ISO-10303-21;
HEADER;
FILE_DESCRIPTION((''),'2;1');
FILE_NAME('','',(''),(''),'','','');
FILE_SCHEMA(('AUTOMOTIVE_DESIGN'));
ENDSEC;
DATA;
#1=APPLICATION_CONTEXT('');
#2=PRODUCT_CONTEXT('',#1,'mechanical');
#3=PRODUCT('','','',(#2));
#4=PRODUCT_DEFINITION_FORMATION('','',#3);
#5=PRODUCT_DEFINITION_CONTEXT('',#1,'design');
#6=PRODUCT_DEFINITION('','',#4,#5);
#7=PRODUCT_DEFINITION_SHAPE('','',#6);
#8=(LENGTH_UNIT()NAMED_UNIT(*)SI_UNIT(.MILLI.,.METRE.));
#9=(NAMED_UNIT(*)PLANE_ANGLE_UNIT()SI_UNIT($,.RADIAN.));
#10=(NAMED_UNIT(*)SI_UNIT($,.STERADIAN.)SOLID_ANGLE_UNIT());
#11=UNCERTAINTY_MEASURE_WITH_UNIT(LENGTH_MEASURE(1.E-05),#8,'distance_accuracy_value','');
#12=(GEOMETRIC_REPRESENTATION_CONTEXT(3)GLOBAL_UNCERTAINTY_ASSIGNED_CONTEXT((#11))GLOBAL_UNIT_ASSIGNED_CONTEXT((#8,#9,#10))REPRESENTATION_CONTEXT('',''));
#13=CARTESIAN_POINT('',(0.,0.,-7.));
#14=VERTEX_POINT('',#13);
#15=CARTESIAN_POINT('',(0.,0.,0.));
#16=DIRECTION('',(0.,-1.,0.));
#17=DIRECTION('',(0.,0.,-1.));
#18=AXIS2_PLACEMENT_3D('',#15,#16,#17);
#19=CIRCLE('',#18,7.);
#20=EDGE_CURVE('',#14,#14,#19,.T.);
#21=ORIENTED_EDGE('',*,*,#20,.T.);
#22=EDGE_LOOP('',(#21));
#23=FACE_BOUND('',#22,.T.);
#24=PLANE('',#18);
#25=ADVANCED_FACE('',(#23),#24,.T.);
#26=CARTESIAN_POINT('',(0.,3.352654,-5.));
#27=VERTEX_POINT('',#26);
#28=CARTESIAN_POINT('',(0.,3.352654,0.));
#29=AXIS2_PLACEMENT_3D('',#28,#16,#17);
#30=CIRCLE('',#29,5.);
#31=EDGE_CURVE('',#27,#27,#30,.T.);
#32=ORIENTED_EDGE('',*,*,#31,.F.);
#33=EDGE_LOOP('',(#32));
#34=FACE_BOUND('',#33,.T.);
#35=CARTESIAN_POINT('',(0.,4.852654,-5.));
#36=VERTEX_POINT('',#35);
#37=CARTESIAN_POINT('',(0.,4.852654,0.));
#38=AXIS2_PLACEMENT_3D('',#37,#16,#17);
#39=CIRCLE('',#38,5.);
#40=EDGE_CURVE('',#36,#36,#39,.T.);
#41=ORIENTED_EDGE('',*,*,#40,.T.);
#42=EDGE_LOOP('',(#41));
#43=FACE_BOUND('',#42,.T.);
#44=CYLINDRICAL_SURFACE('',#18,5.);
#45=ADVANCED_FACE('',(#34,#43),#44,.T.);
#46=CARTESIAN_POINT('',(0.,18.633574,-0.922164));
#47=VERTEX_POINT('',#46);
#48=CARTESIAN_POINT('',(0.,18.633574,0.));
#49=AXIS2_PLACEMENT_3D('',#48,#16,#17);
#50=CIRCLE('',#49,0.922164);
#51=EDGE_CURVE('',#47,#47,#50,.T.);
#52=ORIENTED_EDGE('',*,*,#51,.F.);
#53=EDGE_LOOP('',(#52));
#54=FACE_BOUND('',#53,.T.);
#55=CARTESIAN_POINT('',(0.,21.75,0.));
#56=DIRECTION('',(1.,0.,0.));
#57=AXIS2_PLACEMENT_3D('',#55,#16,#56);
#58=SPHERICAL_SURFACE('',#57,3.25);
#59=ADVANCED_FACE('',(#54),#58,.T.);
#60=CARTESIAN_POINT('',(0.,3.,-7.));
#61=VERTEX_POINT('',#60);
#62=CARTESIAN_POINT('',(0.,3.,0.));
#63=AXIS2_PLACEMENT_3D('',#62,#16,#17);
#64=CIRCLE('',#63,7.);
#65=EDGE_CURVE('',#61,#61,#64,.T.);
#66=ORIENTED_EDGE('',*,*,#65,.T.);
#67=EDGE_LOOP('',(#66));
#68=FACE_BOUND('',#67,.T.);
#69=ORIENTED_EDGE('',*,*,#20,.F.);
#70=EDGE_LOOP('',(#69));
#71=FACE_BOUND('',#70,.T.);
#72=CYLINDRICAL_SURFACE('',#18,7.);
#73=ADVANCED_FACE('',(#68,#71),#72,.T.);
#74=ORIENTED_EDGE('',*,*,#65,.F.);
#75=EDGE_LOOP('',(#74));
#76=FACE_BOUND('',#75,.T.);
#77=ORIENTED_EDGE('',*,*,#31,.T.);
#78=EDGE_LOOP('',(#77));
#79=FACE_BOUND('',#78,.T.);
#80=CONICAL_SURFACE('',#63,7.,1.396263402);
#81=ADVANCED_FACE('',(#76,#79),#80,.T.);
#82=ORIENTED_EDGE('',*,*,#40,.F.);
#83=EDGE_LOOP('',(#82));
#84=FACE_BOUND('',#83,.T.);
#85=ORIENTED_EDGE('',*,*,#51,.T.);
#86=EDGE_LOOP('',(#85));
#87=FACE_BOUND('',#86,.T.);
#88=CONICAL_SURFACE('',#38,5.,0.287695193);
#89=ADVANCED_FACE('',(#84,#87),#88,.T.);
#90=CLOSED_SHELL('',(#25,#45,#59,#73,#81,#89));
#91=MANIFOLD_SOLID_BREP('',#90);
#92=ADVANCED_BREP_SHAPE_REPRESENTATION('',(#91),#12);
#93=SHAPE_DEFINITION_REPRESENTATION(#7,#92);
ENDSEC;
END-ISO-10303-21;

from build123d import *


with BuildPart() as part:
    # Sketch1 → Revolve1 (revolve)
    with BuildSketch(Plane.XY, mode=Mode.PRIVATE) as revolve1_sk:
        with BuildLine():
            Line((0, 0), (0, 25))
            ThreePointArc((0, 25), (3.216433228, 22.215894078), (0.922164426, 18.633573718))
            Line((0.922164426, 18.633573718), (5, 4.852653961))
            Line((5, 4.852653961), (5, 3.352653961))
            Line((5, 3.352653961), (7, 3))
            Line((7, 3), (7, 0))
            Line((7, 0), (0, 0))
        make_face()
    revolve(revolve1_sk.sketch.rotate(Axis((0, 0, 0), (0, 1, 0)), 90), axis=Axis((0, 0, 0), (0, 1, 0)))  # turned: the seam where the file's is


solid = part.part
